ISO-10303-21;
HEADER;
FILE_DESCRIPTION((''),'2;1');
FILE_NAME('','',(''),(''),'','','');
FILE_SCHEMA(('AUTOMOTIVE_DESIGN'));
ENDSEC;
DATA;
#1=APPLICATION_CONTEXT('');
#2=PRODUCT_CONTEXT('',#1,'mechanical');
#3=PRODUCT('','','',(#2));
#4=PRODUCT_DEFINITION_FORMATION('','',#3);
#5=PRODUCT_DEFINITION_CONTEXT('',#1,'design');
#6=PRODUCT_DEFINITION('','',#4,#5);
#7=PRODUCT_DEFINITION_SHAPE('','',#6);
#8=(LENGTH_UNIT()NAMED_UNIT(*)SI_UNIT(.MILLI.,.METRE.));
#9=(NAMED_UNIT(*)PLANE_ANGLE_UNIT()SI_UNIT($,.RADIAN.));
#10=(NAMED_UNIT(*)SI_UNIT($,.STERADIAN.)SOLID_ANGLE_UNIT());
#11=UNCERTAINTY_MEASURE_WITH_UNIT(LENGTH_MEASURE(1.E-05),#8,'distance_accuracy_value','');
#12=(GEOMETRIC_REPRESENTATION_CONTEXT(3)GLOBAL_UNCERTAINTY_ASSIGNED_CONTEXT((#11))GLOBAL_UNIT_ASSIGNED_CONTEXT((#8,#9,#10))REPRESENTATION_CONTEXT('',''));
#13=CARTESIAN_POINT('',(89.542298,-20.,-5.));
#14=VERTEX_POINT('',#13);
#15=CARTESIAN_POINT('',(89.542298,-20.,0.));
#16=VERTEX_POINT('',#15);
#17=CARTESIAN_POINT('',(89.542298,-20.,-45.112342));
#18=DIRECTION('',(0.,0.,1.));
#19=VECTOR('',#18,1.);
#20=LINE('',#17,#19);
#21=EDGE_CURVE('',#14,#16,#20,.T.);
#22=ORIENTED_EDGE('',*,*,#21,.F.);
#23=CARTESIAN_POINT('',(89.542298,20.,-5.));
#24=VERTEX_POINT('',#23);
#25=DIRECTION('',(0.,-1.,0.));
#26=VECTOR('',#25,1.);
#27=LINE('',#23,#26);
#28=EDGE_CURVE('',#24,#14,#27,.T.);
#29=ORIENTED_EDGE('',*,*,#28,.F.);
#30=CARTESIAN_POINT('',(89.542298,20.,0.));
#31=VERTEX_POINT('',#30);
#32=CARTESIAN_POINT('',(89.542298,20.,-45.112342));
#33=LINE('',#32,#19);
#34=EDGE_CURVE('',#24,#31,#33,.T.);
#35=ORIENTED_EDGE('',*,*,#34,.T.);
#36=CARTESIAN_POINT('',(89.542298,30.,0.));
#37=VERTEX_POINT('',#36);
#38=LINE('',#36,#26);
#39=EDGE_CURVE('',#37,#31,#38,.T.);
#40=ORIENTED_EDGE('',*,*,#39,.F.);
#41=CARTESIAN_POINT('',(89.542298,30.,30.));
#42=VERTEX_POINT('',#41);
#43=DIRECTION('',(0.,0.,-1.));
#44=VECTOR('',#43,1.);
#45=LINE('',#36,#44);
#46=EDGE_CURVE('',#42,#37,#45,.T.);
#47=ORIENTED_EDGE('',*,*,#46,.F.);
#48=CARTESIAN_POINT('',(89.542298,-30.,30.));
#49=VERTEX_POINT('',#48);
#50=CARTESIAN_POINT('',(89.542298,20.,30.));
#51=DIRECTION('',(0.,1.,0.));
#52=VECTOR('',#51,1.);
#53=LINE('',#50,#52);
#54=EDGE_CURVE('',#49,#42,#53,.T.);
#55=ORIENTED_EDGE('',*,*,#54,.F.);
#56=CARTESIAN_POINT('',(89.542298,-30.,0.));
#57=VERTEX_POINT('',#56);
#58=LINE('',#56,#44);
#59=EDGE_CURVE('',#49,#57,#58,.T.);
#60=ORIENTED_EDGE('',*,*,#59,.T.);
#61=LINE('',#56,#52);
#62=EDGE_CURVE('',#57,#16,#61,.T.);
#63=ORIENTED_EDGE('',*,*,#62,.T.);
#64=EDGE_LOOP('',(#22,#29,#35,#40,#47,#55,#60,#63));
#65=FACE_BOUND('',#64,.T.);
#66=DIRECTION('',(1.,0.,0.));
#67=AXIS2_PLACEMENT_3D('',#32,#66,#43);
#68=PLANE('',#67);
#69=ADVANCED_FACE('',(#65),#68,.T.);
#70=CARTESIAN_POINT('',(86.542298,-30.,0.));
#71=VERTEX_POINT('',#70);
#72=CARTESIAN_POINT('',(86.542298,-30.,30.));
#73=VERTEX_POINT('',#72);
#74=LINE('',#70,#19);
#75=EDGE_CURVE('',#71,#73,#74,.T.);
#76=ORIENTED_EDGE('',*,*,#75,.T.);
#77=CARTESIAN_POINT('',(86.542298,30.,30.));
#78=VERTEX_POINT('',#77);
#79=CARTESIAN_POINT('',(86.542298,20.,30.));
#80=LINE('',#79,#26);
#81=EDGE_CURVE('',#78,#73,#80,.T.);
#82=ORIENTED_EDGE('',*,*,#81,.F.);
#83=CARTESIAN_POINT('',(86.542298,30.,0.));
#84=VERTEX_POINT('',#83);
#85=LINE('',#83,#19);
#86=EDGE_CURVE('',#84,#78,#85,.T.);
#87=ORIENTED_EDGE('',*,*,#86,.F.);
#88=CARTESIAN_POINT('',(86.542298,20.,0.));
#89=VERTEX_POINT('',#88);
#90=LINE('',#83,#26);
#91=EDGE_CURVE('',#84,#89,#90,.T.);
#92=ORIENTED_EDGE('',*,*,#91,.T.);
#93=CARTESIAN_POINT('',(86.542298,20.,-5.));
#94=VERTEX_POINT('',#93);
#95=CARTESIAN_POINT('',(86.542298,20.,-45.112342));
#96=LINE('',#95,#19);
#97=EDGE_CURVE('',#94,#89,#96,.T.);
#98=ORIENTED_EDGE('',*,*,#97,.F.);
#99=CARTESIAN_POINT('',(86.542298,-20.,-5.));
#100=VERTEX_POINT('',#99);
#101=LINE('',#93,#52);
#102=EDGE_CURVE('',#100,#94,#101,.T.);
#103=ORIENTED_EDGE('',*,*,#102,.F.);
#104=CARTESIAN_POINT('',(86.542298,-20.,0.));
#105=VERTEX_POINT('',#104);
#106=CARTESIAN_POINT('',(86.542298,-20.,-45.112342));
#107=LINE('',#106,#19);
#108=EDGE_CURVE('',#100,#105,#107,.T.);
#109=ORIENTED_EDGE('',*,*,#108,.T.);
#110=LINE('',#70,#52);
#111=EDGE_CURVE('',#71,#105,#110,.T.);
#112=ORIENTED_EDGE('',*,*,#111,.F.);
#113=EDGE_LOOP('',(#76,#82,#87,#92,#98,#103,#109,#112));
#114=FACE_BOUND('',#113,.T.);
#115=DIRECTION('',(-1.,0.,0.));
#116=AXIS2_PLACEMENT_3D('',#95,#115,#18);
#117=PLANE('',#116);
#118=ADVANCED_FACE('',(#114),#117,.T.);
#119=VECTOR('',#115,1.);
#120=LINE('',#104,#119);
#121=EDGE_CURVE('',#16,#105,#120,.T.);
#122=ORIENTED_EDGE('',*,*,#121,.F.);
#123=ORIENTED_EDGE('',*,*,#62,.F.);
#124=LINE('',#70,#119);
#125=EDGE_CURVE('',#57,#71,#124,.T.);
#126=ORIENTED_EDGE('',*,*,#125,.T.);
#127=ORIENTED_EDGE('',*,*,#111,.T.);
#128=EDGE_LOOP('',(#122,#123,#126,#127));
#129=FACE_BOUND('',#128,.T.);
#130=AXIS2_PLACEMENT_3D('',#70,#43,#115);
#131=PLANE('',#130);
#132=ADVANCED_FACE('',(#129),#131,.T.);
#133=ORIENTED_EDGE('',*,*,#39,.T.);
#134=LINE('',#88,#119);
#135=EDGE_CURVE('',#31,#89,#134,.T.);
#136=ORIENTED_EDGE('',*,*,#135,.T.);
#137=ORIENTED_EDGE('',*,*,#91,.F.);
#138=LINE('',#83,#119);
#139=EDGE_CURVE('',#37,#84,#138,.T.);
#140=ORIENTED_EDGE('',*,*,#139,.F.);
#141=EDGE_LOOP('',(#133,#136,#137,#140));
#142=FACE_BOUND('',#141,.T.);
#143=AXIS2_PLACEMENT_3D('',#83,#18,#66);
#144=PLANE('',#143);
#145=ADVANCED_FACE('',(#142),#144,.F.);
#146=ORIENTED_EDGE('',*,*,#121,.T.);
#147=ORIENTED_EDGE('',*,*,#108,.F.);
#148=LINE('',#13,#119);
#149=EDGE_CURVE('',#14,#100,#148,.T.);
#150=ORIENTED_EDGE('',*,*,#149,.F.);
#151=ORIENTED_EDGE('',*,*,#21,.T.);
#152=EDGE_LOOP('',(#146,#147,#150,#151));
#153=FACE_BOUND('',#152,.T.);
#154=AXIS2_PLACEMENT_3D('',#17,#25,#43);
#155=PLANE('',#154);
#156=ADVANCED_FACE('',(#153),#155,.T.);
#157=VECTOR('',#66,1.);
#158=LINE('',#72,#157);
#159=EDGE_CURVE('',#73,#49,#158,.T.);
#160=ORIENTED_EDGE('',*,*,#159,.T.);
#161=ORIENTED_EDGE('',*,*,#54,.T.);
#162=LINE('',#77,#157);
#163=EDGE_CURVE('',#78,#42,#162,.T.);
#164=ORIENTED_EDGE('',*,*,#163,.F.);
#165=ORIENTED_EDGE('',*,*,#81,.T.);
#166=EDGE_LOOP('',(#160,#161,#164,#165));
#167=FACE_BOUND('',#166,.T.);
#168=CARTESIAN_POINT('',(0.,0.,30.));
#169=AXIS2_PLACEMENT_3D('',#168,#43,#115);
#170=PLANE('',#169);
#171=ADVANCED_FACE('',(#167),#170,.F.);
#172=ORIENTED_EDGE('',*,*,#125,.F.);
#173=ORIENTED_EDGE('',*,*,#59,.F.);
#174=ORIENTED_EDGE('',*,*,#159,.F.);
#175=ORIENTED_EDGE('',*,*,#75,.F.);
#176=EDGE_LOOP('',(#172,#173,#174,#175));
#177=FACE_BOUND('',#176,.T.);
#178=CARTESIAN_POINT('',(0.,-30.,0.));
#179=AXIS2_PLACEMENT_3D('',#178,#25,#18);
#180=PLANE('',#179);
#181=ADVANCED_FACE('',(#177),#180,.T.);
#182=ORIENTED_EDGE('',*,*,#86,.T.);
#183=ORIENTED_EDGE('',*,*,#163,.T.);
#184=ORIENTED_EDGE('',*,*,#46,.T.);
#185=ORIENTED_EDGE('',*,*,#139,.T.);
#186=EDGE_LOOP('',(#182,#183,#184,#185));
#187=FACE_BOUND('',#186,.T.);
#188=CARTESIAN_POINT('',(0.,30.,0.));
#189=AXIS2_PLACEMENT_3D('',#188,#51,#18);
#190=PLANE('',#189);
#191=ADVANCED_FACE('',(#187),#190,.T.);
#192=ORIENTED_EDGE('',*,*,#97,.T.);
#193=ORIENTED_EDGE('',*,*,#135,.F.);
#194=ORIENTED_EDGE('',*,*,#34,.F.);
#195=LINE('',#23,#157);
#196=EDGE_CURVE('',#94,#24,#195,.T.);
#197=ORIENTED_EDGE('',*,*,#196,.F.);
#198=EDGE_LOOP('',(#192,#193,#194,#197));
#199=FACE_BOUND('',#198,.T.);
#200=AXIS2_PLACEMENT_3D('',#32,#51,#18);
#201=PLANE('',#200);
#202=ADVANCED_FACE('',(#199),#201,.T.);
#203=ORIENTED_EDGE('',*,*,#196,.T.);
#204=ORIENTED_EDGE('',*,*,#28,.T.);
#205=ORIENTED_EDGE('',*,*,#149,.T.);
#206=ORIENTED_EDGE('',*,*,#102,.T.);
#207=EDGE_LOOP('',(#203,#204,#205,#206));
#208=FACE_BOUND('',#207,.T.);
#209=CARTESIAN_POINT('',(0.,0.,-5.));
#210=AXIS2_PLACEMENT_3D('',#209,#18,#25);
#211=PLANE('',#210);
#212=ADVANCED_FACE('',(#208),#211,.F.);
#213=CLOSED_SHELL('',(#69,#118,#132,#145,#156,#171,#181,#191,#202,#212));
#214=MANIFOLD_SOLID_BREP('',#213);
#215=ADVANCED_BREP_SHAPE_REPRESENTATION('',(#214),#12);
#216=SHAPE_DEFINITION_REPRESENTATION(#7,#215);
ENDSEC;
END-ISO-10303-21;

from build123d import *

# Parameters (mm, degrees)
ESTRUSIONE_ESTRUSIONE1_DEPTH      = 30
ESTRUSIONE_ESTRUSIONE1_DEPTH_BACK = 5
SCHIZZO1_W                        = 3
SCHIZZO1_H                        = 40
SCHIZZO2_W                        = 3
SCHIZZO2_H                        = 30
ESTRUSIONE_ESTRUSIONE2_DEPTH      = 10


with BuildPart() as part:
    # Schizzo1 → Estrusione-Estrusione1 (new, two sides: drawn at the far end of the back side and taken through both)
    with BuildSketch(Plane.XY.offset(-ESTRUSIONE_ESTRUSIONE1_DEPTH_BACK)):
        with Locations((88.042298103, 0)):
            Rectangle(SCHIZZO1_W, SCHIZZO1_H)
    extrude(amount=ESTRUSIONE_ESTRUSIONE1_DEPTH + ESTRUSIONE_ESTRUSIONE1_DEPTH_BACK)

    # Schizzo2 → Estrusione-Estrusione2 (add)
    with BuildSketch(Plane(origin=(0, 20, 0), x_dir=(1, 0, 0), z_dir=(0, 1, 0))):
        with Locations((88.042298103, -15)):
            Rectangle(SCHIZZO2_W, SCHIZZO2_H)
    estrusione_estrusione2 = extrude(amount=ESTRUSIONE_ESTRUSIONE2_DEPTH)

    # Specchia1: Estrusione-Estrusione2 across plane
    add(estrusione_estrusione2.mirror(Plane.ZX))


solid = part.part
